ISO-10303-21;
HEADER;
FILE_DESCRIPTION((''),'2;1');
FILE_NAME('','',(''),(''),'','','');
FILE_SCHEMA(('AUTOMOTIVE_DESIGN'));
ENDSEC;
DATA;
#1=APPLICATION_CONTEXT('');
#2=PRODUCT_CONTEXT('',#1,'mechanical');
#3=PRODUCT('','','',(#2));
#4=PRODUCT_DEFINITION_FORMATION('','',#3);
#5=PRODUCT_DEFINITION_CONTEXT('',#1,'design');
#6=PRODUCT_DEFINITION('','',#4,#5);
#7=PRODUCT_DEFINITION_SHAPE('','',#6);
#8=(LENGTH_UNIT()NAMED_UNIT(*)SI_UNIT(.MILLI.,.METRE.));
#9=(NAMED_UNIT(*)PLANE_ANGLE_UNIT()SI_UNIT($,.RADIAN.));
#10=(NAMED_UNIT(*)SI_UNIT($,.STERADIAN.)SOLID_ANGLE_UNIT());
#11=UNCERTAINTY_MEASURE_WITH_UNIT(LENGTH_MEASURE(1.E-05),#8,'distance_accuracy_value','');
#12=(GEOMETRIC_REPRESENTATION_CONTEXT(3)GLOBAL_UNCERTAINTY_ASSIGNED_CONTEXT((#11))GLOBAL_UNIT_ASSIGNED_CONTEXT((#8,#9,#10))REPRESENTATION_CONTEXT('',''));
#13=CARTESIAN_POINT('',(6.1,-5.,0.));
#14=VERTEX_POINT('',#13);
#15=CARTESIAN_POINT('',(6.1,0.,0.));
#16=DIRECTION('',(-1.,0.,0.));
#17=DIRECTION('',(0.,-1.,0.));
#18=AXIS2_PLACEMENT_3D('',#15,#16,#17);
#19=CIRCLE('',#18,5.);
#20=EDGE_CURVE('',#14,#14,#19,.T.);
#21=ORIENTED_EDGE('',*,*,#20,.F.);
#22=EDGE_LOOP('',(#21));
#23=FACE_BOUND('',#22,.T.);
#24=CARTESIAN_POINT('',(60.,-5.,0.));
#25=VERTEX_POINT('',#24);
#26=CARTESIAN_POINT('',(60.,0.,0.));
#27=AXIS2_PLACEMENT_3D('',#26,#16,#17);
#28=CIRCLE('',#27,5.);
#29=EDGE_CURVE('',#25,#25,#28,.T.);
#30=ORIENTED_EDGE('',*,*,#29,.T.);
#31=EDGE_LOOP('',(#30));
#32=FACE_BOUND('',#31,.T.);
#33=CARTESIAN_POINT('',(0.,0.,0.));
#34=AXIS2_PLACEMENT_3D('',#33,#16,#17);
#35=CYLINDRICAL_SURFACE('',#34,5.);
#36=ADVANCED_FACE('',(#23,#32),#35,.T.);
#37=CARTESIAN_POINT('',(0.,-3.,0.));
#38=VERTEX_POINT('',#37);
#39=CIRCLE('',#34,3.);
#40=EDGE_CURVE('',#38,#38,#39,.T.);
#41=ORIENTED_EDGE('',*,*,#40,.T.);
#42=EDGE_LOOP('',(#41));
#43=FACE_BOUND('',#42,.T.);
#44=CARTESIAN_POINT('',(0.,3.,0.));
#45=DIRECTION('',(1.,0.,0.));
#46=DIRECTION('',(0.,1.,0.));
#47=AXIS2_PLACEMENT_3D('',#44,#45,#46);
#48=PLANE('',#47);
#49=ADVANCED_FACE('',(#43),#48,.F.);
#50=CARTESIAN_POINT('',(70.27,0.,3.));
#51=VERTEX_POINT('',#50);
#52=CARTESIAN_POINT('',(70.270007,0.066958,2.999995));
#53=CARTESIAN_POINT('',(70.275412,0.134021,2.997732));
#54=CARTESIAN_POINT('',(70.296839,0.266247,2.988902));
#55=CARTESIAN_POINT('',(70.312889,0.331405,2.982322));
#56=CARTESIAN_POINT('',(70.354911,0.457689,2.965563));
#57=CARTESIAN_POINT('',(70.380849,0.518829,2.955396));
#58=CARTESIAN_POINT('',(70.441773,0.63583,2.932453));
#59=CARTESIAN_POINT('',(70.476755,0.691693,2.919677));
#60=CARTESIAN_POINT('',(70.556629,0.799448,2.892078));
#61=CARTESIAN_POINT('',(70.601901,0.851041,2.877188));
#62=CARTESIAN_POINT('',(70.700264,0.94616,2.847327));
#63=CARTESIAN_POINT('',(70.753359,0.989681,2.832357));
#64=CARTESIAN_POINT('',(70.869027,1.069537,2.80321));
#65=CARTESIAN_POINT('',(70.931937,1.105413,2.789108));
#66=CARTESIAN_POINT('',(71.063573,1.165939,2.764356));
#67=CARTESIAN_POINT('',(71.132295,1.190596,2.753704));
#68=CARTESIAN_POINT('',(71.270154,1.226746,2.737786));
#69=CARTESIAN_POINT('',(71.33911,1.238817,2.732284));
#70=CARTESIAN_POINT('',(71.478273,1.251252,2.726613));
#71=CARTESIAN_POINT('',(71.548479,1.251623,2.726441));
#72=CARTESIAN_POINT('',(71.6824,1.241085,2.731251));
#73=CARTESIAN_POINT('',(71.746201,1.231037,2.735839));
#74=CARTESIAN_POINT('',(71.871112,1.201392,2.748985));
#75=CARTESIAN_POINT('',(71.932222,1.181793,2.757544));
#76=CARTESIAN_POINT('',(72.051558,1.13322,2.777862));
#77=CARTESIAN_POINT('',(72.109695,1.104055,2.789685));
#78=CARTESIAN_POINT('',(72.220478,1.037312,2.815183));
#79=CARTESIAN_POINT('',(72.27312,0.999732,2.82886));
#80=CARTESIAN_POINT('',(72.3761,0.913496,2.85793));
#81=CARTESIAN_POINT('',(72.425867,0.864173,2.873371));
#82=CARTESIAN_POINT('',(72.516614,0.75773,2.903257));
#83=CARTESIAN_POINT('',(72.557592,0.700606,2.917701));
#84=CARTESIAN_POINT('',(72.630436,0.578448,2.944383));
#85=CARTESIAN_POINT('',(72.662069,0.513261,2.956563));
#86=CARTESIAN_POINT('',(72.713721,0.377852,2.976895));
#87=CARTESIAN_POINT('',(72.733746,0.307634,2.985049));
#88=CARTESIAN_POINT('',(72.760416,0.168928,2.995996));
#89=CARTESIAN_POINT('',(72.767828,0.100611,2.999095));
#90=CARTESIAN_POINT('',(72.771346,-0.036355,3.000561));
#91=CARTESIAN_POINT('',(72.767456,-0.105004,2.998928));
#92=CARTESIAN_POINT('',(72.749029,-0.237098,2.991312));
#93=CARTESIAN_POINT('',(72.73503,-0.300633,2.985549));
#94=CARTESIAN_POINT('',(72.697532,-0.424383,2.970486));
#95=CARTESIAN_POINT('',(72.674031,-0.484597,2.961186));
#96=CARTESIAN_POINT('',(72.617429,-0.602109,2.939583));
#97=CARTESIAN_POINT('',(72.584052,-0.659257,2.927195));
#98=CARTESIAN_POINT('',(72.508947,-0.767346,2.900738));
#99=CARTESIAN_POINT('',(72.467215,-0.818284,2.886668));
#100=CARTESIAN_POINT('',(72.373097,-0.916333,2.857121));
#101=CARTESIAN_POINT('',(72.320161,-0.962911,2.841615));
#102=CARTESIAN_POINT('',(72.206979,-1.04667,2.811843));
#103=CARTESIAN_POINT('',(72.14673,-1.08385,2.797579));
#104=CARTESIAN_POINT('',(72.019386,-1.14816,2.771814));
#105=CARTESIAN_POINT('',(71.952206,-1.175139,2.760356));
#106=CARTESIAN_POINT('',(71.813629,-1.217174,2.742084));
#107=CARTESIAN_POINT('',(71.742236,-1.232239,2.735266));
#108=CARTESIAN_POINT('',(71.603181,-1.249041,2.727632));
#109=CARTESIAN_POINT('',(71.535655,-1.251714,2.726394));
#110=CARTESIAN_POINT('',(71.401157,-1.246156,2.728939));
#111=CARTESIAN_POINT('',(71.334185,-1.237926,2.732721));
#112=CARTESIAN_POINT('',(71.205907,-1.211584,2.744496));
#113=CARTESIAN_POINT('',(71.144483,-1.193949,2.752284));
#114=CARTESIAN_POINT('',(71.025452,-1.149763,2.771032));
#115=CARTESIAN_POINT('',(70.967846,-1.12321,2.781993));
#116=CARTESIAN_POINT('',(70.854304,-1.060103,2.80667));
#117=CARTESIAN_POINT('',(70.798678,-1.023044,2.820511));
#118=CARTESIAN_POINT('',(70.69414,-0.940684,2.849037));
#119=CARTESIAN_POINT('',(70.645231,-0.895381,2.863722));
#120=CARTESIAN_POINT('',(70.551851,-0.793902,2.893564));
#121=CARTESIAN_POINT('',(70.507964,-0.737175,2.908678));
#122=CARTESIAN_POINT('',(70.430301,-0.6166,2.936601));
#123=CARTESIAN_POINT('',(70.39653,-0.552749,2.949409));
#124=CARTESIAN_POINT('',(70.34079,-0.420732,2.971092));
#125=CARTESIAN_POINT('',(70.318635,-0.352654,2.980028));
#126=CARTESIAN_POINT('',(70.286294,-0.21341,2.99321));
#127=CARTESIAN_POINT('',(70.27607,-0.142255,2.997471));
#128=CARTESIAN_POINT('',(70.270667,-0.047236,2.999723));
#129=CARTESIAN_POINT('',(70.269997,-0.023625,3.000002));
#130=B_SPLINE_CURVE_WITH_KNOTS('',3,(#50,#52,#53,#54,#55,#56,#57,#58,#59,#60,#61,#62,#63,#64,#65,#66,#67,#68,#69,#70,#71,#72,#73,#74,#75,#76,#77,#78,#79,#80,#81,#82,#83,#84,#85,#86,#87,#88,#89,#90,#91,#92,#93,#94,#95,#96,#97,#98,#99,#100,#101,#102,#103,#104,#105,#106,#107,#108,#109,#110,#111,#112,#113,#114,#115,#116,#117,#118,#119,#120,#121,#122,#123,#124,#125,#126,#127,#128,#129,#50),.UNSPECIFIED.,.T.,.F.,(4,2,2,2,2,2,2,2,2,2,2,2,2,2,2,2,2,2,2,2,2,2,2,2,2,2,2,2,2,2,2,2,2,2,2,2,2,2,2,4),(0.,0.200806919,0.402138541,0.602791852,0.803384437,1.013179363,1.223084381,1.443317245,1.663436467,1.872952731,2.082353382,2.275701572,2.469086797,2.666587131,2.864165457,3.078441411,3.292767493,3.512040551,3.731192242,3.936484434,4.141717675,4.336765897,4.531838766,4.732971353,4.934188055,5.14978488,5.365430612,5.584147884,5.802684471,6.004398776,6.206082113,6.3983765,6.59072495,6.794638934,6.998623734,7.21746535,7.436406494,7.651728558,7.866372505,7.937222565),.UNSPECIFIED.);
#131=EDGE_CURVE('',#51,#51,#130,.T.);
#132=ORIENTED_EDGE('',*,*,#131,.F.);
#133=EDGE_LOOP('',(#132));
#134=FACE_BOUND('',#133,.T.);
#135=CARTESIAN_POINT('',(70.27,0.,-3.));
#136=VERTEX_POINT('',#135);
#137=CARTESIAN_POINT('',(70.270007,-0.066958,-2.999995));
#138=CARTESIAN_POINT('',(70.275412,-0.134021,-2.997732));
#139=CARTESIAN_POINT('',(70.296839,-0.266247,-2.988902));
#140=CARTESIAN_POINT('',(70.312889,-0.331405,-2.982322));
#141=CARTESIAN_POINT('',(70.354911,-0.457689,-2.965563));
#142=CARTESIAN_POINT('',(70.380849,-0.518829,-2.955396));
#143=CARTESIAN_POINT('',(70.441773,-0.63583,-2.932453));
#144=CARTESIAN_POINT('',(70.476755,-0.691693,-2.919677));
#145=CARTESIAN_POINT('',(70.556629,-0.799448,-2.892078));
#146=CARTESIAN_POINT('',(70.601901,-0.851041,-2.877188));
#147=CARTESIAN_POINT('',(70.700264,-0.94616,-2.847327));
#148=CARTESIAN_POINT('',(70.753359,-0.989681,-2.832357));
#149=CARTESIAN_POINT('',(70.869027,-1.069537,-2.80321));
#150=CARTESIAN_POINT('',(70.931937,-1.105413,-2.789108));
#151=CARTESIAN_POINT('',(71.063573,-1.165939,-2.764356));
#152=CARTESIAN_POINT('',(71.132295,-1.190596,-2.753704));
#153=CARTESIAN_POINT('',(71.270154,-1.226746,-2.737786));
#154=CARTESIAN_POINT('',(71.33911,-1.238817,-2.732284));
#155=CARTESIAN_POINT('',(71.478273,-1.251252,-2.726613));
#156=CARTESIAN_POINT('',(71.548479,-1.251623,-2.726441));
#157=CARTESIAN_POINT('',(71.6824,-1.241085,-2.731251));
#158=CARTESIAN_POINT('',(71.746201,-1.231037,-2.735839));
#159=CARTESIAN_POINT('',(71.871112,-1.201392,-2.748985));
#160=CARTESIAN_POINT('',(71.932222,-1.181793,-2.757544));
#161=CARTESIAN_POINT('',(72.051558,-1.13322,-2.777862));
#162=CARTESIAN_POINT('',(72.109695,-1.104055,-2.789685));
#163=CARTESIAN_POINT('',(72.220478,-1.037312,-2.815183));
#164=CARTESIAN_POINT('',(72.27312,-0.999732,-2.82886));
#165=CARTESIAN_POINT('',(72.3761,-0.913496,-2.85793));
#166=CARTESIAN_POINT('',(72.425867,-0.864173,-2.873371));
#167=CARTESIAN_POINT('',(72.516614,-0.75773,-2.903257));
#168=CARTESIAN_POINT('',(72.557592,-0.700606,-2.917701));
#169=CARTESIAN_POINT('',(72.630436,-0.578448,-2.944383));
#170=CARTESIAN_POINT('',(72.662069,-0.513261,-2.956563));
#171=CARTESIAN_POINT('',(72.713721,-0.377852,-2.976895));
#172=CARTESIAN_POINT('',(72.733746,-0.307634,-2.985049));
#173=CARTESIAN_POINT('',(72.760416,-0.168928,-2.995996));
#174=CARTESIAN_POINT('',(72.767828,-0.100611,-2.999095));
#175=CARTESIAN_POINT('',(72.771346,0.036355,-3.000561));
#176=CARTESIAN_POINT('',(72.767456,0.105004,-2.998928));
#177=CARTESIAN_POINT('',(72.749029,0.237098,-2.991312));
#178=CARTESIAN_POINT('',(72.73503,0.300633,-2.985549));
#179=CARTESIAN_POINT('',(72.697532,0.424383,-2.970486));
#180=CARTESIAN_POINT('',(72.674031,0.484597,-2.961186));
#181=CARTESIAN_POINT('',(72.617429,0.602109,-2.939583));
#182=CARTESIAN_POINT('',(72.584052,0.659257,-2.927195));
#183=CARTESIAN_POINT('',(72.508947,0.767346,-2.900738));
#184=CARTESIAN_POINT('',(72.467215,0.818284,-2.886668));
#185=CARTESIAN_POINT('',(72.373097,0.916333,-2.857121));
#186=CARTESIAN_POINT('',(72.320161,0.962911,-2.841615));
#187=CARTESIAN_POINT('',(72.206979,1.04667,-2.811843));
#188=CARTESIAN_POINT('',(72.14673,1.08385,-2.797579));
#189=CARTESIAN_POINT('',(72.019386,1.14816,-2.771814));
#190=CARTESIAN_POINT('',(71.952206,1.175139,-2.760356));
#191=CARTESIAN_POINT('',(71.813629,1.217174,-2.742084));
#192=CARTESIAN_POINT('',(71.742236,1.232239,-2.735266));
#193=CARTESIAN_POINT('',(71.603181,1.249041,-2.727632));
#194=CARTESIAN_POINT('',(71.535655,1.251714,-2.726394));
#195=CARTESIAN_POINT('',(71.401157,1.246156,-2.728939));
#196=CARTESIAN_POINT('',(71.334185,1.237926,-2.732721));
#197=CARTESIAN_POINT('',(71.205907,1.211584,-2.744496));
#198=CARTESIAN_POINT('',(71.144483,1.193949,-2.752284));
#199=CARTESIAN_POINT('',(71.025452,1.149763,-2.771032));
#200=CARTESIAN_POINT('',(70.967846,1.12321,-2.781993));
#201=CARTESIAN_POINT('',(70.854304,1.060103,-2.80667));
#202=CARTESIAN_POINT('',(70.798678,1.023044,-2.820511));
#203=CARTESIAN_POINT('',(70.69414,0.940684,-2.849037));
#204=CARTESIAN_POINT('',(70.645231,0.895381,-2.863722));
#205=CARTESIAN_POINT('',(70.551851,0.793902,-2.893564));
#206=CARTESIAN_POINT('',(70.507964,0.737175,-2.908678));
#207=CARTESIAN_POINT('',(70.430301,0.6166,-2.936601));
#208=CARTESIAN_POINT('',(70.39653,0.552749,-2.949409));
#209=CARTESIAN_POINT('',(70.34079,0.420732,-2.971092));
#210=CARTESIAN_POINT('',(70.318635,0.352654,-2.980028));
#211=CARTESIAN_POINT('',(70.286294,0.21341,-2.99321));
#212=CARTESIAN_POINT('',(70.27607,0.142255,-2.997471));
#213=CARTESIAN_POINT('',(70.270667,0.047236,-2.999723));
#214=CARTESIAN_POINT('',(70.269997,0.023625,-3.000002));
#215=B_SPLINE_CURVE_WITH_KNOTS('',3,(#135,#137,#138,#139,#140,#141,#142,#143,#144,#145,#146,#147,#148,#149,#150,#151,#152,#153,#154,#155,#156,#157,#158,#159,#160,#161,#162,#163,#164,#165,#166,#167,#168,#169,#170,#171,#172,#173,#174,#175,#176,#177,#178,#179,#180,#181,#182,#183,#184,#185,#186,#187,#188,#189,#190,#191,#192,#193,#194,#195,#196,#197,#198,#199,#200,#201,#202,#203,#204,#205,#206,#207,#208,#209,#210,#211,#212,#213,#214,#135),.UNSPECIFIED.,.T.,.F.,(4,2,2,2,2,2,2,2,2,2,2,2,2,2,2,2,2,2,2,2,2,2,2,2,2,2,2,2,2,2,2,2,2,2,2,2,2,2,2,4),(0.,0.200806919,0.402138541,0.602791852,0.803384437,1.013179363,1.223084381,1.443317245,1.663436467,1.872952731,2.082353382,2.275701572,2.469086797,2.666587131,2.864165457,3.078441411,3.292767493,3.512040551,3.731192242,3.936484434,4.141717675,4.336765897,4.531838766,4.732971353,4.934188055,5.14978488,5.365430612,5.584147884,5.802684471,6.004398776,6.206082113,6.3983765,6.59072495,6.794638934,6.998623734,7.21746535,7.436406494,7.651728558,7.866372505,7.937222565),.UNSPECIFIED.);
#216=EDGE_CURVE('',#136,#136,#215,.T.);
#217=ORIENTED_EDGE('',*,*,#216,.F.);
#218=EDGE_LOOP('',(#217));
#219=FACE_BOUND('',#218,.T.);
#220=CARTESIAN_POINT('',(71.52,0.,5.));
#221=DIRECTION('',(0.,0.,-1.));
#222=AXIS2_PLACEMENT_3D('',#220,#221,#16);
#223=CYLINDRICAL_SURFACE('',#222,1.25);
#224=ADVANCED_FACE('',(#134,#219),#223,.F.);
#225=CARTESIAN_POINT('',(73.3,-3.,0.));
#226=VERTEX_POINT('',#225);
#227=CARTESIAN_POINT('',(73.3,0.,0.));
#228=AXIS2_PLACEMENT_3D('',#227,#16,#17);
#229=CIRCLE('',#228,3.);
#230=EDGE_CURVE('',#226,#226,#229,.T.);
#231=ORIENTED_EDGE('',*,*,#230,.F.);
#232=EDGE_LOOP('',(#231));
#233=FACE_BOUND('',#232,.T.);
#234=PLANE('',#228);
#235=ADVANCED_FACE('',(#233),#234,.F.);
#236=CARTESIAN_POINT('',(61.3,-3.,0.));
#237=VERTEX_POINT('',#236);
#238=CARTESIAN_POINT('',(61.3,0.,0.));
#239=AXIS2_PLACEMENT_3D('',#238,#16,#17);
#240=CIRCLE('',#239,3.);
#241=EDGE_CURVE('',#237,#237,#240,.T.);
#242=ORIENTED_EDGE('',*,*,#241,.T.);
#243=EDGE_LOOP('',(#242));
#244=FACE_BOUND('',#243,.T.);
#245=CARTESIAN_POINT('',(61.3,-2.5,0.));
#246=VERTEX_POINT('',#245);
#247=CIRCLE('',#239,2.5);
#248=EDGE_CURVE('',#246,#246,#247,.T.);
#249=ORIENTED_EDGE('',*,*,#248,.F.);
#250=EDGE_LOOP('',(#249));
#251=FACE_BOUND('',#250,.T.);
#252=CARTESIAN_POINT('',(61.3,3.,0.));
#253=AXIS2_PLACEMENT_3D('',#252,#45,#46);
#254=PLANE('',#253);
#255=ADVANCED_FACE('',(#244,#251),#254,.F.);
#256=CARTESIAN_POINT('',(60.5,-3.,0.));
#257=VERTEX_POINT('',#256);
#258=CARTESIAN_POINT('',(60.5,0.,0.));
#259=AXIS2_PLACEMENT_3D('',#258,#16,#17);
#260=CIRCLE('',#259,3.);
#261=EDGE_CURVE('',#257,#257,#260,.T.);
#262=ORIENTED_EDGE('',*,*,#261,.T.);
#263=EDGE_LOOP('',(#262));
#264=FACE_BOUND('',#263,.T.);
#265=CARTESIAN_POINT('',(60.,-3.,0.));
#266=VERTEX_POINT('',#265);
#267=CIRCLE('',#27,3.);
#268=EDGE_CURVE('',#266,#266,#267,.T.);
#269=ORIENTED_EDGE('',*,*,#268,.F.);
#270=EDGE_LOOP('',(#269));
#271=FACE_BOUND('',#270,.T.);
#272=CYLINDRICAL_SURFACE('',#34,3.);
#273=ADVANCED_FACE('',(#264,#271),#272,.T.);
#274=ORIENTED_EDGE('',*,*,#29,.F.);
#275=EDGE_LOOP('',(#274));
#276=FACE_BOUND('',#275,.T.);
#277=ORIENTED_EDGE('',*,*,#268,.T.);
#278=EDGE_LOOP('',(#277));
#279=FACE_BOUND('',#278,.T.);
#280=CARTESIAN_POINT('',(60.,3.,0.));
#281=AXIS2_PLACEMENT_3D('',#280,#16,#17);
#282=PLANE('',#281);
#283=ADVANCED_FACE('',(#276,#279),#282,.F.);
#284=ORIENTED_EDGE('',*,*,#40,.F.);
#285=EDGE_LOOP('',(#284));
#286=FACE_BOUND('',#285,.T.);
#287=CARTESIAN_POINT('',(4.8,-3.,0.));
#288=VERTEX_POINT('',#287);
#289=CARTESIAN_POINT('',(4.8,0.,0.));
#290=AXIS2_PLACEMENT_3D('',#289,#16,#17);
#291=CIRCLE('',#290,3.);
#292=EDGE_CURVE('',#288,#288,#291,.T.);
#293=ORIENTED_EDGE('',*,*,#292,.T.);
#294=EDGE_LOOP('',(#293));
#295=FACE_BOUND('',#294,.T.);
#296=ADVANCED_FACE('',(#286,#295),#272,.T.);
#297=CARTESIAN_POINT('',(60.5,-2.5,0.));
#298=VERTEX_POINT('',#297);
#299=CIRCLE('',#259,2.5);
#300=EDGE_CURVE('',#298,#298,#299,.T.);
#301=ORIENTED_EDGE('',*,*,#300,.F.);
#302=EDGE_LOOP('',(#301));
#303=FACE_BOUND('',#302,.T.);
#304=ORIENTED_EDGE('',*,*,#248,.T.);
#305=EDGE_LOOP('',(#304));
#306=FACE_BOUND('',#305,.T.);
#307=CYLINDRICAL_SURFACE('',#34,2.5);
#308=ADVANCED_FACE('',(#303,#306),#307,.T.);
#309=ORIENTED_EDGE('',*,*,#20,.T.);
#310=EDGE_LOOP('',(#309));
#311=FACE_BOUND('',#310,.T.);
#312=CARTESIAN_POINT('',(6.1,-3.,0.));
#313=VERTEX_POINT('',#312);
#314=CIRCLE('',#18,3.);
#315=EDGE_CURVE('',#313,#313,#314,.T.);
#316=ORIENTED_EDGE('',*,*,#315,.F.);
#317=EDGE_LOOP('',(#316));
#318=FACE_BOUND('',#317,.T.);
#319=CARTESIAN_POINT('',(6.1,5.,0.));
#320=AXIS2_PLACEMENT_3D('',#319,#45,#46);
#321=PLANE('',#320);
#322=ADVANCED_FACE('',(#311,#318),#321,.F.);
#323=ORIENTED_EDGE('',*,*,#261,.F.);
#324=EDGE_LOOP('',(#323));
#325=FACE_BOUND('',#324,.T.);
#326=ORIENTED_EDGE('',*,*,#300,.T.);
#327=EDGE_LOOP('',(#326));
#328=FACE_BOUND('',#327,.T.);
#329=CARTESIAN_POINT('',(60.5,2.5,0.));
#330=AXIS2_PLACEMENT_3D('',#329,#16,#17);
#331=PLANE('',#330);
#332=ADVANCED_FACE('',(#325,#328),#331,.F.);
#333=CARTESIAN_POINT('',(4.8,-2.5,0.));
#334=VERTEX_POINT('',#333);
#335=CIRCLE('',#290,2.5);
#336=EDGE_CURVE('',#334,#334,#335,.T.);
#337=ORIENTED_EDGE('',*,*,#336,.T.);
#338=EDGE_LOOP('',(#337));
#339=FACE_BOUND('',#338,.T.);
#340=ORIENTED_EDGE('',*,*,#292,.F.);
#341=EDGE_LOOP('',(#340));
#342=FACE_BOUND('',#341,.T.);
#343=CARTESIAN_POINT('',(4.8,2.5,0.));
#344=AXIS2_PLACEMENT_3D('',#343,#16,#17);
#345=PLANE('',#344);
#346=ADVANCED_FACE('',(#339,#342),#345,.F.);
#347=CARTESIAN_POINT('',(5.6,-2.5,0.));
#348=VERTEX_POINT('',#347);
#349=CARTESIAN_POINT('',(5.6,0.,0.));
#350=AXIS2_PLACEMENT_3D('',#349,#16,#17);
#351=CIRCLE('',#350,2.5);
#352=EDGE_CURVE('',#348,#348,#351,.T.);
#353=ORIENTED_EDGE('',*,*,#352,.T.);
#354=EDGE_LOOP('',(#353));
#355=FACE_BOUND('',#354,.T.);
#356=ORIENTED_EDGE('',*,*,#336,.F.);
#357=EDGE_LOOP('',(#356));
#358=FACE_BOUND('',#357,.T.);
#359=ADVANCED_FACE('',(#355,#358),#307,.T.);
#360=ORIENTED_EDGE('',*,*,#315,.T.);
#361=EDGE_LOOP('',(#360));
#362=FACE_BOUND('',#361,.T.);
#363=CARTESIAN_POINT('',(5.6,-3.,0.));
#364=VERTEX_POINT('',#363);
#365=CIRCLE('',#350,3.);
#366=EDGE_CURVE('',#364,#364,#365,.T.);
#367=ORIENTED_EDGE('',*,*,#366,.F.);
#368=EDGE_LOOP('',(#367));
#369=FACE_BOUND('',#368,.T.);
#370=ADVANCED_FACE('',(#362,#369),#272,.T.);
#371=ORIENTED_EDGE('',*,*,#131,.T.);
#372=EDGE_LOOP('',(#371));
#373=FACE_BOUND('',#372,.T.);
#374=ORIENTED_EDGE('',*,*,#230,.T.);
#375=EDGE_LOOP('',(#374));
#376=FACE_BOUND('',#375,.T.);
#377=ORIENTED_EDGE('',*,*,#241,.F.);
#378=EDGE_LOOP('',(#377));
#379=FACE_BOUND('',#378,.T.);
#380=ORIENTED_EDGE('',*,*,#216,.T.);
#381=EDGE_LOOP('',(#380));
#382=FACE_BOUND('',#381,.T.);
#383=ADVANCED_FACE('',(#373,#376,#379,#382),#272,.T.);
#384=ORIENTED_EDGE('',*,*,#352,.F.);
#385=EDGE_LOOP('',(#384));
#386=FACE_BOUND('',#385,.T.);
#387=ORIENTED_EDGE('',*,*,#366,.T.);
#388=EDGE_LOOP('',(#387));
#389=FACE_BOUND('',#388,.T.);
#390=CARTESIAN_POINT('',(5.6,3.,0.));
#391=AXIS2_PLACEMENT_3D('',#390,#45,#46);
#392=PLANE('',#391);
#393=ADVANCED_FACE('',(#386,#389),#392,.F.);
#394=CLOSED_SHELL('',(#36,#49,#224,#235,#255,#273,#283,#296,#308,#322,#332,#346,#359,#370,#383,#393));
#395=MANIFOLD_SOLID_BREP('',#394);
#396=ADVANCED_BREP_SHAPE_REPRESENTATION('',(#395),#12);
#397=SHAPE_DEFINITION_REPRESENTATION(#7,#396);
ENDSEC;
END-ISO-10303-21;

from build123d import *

# Parameters (mm, degrees)
SKETCH4_R          = 1.25
CUT_EXTRUDE1_DEPTH = 5


with BuildPart() as part:
    # Sketch1 → Revolve1 (revolve)
    with BuildSketch(Plane.XY, mode=Mode.PRIVATE) as revolve1_sk:
        Polygon((0, 0), (73.3, 0), (73.3, 3), (61.3, 3), (61.3, 2.5), (60.5, 2.5), (60.5, 3), (60, 3), (60, 5), (6.1, 5), (6.1, 3), (5.6, 3), (5.6, 2.5), (4.8, 2.5), (4.8, 3), (0, 3), align=None)
    revolve(revolve1_sk.sketch.rotate(Axis((0, 0, 0), (1, 0, 0)), 180), axis=Axis((0, 0, 0), (1, 0, 0)))

    # Sketch4 → Cut-Extrude1 (cut, symmetric)
    with BuildSketch(Plane(origin=(0, 0, 0), x_dir=(-1, 0, 0), z_dir=(0, 0, -1))):
        with Locations((-71.52, 0)):
            Circle(SKETCH4_R)
    extrude(amount=CUT_EXTRUDE1_DEPTH, both=True, mode=Mode.SUBTRACT)


solid = part.part
